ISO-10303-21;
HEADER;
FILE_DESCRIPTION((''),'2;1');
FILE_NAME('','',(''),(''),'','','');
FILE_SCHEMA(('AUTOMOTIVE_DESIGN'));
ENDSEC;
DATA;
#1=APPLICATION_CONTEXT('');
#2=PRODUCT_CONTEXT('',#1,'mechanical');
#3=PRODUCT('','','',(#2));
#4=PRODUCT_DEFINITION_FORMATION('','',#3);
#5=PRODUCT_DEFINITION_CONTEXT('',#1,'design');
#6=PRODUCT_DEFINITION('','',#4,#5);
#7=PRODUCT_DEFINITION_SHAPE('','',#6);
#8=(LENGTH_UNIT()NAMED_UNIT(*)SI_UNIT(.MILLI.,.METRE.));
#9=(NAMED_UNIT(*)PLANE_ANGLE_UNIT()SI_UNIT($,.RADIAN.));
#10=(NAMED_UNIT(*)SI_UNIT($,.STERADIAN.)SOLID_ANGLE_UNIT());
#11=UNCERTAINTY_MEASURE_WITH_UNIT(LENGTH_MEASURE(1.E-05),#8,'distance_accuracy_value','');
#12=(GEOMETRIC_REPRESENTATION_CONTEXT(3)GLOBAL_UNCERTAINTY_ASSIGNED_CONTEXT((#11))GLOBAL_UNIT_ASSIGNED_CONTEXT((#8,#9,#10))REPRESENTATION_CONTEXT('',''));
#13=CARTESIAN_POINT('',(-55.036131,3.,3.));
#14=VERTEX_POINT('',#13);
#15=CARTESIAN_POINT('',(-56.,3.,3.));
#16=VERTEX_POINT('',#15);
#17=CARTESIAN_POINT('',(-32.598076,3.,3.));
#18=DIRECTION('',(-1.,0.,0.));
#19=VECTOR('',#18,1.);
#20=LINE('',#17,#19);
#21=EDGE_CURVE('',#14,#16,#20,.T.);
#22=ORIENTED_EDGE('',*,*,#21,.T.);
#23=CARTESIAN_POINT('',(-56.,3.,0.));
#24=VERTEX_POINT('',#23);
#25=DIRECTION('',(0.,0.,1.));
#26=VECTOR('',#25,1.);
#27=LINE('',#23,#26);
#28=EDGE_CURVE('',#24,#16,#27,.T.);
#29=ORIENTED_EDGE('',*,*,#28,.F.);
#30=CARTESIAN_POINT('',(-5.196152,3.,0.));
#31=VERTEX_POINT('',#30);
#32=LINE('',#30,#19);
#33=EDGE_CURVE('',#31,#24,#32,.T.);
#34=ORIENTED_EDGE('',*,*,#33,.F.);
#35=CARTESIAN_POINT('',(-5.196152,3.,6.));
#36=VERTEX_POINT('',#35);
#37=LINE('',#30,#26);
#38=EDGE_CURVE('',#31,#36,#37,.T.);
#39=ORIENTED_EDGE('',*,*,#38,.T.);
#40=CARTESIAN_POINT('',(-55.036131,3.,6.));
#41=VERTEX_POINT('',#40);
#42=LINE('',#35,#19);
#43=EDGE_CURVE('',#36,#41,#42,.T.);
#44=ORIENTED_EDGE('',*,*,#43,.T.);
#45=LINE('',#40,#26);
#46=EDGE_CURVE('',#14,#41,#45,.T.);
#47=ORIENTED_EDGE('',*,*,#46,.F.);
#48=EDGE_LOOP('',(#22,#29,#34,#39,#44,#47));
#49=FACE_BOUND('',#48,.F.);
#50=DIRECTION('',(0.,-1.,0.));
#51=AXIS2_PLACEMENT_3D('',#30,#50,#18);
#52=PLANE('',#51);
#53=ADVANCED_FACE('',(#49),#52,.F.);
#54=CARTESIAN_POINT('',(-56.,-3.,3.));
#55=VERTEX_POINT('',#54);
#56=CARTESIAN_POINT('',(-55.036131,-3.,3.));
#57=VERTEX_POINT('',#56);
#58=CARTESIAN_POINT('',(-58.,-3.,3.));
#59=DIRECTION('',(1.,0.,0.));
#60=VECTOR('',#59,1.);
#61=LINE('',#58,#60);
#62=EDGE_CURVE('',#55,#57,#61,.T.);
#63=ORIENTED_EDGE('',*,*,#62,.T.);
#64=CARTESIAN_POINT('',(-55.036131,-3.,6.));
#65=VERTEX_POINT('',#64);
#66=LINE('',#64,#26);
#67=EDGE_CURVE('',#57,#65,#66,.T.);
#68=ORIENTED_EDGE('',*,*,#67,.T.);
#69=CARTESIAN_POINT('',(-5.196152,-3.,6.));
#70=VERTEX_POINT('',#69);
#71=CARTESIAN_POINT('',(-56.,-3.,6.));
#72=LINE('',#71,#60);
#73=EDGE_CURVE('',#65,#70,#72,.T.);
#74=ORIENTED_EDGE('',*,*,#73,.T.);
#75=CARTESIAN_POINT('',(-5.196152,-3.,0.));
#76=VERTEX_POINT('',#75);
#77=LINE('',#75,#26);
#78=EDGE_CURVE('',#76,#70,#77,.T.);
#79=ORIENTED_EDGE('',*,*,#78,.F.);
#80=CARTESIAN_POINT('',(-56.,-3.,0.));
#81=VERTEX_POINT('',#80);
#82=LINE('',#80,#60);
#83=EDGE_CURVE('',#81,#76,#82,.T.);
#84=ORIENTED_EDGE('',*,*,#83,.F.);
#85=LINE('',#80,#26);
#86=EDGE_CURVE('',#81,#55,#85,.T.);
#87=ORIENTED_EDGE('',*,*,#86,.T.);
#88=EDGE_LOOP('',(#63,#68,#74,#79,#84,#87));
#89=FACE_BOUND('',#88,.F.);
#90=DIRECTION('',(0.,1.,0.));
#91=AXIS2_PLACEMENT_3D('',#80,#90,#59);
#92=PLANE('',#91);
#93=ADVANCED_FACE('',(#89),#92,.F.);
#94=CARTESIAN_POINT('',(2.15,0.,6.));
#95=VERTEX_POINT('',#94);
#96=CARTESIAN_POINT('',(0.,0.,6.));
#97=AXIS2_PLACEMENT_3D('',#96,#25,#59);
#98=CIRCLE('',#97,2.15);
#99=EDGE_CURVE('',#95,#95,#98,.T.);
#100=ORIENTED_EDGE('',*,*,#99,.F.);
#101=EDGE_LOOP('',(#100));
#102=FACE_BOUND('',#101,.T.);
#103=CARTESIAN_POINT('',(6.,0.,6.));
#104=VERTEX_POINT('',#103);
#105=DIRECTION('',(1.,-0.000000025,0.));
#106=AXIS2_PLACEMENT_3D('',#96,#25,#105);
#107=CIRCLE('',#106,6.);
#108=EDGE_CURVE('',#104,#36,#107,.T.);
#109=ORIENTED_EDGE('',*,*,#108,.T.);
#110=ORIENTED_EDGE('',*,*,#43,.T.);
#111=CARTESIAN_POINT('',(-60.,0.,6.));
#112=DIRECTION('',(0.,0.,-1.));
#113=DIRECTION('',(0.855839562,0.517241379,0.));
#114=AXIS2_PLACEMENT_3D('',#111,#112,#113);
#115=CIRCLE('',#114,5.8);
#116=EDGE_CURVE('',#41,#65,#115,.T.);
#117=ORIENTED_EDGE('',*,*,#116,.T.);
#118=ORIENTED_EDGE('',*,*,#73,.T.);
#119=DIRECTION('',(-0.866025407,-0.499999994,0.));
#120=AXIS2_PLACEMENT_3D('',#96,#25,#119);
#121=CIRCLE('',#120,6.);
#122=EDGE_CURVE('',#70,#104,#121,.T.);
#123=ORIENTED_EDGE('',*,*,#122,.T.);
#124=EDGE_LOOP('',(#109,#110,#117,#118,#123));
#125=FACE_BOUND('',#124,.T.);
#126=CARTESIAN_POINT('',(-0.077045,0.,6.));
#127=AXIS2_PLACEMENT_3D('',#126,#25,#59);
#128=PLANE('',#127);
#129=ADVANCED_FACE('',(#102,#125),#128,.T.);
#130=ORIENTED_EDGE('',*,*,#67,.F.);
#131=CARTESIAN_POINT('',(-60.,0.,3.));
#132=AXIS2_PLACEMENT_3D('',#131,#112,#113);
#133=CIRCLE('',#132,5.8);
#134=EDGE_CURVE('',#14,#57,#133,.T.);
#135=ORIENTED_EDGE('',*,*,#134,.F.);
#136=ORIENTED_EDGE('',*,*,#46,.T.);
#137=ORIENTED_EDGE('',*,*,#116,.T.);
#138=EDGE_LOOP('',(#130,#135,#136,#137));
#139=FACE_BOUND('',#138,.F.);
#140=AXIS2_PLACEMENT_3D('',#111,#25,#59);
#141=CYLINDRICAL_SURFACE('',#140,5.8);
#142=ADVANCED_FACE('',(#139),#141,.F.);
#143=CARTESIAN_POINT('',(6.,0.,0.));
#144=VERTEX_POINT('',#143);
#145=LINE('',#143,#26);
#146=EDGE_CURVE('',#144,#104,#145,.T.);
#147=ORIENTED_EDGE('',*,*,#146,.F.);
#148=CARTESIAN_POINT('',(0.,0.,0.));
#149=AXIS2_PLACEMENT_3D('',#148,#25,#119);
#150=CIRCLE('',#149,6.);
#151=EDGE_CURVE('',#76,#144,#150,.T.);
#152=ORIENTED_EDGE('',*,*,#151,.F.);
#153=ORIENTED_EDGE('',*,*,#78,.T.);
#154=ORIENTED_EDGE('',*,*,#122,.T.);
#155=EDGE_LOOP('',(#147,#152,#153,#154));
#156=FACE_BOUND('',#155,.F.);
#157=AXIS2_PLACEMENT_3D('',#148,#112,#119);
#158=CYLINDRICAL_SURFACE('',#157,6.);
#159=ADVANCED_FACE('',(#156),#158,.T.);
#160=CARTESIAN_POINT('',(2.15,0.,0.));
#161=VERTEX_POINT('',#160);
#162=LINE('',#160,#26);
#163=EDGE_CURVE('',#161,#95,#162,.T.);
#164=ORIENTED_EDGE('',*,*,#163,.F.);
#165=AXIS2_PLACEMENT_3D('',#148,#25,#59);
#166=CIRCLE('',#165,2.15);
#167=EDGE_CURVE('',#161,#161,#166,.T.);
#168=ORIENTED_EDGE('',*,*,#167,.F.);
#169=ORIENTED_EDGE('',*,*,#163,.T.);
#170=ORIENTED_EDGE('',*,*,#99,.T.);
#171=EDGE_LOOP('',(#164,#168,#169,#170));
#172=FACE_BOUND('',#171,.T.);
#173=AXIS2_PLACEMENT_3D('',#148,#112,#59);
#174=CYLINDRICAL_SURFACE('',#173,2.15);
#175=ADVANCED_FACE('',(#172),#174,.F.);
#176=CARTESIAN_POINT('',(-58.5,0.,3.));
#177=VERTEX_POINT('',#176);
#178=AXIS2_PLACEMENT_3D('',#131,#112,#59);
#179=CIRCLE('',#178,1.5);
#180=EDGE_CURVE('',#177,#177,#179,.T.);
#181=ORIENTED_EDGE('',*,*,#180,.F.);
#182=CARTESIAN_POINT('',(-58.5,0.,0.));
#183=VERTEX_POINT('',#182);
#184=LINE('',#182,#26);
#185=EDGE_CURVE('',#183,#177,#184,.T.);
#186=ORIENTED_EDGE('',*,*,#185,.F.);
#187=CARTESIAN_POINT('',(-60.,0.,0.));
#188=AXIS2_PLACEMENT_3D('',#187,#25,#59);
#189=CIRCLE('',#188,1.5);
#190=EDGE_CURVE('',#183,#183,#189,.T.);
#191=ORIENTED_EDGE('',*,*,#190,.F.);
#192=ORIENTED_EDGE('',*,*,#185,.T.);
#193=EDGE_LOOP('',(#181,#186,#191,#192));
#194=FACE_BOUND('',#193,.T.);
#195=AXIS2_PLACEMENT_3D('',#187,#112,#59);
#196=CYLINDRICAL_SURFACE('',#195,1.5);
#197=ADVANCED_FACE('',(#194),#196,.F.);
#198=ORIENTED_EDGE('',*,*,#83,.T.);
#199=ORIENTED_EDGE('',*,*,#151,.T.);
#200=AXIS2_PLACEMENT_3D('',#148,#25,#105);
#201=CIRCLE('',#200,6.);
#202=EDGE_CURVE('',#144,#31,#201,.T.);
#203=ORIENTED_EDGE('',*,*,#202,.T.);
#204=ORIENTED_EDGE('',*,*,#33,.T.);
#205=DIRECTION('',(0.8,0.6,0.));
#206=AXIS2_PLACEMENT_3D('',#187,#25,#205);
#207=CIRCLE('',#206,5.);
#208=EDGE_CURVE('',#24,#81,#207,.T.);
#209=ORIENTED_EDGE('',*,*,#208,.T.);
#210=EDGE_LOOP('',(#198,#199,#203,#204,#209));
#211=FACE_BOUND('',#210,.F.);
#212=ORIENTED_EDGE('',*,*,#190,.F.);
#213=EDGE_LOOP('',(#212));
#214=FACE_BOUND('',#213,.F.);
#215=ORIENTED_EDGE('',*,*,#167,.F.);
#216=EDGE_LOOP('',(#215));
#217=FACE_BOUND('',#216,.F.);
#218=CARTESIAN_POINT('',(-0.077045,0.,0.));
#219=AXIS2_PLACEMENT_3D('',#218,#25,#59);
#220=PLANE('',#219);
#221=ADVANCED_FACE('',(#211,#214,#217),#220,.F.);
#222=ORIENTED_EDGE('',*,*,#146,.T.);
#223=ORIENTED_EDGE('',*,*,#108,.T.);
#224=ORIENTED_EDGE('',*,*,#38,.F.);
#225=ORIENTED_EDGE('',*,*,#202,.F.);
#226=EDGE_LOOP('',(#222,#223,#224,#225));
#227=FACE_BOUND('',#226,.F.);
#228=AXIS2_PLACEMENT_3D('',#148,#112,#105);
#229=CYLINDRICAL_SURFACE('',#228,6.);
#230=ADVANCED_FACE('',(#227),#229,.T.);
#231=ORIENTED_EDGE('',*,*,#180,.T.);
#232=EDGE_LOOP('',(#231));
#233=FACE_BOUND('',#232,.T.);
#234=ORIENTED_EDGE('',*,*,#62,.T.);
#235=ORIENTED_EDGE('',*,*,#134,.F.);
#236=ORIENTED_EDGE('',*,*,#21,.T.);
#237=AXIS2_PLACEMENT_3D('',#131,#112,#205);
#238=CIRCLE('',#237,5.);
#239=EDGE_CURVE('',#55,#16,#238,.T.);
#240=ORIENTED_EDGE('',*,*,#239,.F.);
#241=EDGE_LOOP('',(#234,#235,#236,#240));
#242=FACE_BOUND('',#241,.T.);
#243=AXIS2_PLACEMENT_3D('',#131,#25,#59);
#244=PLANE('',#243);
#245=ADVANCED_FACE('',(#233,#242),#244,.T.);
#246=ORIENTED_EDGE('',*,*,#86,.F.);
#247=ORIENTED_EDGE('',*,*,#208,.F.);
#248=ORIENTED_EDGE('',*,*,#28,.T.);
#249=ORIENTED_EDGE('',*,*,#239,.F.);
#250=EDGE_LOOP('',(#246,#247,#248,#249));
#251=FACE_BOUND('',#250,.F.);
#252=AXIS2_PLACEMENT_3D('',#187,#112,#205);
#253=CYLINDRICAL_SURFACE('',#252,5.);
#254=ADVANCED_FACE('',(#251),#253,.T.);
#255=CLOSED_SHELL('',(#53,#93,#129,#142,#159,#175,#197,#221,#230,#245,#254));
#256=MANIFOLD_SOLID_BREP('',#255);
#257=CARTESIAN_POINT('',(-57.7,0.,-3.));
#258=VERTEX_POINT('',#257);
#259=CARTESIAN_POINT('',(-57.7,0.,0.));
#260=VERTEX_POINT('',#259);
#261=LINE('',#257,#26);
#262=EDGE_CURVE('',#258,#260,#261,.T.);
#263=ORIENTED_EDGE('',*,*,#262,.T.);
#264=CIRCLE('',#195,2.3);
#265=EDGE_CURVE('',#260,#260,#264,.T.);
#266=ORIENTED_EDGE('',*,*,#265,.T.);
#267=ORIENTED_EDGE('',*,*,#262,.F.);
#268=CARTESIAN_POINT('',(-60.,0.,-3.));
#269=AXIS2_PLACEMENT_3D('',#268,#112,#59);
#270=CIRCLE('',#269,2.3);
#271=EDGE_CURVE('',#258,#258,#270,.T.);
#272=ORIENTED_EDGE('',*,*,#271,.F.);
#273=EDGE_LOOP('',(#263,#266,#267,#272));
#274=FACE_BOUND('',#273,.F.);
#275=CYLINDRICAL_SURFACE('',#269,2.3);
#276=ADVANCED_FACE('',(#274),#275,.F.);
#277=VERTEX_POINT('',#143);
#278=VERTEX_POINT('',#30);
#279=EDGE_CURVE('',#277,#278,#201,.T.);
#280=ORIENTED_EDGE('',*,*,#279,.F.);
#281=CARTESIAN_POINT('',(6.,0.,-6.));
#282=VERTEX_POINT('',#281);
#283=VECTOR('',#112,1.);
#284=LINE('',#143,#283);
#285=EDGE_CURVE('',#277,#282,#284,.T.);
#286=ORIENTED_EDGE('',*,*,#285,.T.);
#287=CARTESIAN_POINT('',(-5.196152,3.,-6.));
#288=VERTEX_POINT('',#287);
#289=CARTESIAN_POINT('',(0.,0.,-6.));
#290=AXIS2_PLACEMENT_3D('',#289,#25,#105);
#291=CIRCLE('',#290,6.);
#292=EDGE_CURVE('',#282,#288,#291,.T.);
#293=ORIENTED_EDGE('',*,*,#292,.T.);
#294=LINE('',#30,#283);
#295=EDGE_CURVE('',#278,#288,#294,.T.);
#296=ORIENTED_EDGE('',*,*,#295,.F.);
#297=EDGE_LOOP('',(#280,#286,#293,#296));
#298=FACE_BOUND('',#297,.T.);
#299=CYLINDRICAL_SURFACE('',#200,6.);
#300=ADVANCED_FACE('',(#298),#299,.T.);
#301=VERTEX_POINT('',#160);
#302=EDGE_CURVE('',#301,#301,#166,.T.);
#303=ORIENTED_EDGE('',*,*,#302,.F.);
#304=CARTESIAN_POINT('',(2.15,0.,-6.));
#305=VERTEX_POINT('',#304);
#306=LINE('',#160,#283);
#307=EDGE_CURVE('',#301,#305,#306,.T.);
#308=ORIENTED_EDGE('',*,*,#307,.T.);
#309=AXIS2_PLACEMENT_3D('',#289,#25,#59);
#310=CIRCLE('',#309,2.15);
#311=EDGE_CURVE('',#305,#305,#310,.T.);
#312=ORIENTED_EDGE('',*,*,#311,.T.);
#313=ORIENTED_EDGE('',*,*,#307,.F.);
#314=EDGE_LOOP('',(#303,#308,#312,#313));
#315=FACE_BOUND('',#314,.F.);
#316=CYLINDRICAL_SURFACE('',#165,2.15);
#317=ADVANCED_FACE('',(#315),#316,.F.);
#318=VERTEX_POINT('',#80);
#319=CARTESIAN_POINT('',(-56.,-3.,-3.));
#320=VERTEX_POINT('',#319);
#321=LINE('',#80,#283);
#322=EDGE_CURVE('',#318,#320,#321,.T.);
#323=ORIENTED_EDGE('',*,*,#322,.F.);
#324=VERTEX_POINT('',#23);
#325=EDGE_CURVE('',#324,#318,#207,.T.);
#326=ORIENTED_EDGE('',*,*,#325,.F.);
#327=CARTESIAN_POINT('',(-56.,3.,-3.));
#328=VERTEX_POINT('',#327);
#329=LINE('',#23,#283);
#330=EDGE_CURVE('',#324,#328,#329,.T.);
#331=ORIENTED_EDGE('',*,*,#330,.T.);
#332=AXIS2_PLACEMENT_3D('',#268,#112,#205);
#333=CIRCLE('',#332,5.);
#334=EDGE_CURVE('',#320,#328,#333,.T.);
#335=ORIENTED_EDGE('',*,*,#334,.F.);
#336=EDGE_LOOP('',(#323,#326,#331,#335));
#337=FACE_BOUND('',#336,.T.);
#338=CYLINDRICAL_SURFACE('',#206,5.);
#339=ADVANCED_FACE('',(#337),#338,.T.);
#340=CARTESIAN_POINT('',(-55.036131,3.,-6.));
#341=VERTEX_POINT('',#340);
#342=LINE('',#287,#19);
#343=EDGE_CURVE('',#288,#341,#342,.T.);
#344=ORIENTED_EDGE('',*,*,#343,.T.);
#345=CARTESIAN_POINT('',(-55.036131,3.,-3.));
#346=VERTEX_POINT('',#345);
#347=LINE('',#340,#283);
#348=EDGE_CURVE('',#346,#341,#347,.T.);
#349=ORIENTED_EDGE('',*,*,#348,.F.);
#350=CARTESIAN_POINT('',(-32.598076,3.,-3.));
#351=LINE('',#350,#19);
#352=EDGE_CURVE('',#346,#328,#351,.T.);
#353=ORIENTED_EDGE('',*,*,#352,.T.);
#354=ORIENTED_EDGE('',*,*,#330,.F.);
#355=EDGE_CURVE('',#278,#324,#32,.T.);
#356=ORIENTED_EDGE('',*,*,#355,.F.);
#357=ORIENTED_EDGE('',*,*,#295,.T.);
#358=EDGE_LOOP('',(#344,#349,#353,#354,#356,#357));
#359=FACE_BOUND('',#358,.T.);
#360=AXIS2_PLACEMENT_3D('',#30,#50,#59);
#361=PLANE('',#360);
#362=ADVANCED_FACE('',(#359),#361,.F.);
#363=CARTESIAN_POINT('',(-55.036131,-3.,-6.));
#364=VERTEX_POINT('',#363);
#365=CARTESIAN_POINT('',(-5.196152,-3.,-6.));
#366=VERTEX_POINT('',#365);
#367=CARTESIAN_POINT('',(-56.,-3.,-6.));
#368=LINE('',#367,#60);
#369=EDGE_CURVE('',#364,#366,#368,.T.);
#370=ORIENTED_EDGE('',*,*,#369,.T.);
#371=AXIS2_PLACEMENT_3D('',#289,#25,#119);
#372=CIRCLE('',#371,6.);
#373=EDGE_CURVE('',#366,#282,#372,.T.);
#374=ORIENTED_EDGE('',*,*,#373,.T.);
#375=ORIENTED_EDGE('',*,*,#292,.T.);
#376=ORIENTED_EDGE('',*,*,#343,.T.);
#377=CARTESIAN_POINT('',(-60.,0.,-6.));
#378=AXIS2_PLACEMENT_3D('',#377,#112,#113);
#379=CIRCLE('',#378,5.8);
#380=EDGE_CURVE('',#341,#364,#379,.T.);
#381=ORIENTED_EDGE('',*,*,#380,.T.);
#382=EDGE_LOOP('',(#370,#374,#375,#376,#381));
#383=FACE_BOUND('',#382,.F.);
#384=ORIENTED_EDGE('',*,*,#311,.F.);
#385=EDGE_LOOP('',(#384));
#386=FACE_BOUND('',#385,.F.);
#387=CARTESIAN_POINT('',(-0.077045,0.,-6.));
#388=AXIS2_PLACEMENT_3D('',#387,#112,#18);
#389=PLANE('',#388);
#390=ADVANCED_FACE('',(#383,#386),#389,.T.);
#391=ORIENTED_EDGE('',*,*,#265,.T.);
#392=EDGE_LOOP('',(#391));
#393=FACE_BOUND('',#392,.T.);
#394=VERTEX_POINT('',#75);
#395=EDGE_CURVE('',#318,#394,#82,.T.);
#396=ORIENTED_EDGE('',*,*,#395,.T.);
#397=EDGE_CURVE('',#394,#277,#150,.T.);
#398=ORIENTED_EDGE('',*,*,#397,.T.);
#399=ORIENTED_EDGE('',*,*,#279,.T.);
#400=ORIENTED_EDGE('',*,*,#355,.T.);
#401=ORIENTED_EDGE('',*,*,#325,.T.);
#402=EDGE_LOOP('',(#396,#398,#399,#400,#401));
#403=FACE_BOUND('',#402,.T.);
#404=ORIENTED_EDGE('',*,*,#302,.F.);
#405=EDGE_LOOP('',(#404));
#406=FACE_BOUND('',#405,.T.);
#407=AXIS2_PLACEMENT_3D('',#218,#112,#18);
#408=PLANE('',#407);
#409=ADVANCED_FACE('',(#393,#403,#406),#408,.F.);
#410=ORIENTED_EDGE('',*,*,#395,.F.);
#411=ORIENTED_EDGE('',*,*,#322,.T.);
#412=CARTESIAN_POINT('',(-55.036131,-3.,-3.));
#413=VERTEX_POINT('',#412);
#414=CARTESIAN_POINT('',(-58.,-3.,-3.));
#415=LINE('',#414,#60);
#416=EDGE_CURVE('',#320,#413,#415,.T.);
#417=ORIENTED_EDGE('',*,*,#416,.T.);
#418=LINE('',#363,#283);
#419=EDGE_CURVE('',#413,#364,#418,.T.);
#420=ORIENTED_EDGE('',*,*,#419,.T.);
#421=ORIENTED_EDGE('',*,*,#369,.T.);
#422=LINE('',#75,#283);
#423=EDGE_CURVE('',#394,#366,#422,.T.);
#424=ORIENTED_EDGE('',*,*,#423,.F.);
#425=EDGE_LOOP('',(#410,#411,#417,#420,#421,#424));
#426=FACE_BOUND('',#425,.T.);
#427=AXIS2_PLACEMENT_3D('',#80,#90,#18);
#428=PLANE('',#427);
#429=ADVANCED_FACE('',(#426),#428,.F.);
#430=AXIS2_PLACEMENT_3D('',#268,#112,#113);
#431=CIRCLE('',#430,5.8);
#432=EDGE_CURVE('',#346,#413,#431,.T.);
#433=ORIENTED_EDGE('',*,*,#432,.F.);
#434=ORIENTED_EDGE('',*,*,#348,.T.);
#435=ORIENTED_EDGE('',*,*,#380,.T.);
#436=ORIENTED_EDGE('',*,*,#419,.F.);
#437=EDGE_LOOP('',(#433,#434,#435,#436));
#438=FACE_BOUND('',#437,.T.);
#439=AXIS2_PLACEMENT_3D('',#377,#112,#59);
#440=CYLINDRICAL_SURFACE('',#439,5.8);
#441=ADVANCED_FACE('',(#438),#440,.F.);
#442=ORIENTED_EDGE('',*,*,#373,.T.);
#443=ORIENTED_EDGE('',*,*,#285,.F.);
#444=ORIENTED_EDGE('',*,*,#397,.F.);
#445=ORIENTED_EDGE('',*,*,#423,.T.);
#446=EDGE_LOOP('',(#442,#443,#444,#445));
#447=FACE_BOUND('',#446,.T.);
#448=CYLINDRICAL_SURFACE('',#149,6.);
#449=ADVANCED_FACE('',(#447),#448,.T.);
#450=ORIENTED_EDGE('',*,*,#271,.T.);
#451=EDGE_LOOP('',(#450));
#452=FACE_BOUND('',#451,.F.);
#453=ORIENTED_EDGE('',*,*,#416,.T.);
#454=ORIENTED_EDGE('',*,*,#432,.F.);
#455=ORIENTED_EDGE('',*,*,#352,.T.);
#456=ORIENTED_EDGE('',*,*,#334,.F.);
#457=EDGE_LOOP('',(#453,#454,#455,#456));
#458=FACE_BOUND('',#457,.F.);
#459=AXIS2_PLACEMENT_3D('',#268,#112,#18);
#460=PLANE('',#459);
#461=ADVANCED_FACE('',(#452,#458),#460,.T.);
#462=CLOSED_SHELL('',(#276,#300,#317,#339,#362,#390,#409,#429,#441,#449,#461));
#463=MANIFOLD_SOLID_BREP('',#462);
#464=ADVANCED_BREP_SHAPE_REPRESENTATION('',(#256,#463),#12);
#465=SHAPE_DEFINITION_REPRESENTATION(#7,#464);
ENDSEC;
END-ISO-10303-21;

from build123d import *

# Parameters (mm, degrees)
F0_R     = 2.15
F0_R_2   = 1.5
F1_DEPTH = 6
F2_R     = 5.8
F3_DEPTH = 3
F5_R     = 2.3
F6_DEPTH = 3


with BuildPart() as f1:
    # F0 (on Top) → F1 (new body)
    with BuildSketch(Plane.XY):
        with BuildLine():
            ThreePointArc((-5.196152, -3), (1.552914, -5.795555), (6, 0))
            ThreePointArc((6, 0), (1.552914, 5.795555), (-5.196152, 3))
            ThreePointArc((-5.196152, 3), (-6, 0), (-5.196152, -3))
        make_face()
        Circle(F0_R, mode=Mode.SUBTRACT)
        with BuildLine():
            ThreePointArc((-5.196152, -3), (-6, 0), (-5.196152, 3))
            Line((-5.196152, 3), (-56, 3))
            ThreePointArc((-56, 3), (-55.256584, 1.581139), (-55, 0))
            ThreePointArc((-55, 0), (-55.256584, -1.581139), (-56, -3))
            Line((-56, -3), (-5.196152, -3))
        make_face()
        with BuildLine():
            ThreePointArc((-55, 0), (-55.256584, 1.581139), (-56, 3))
            ThreePointArc((-56, 3), (-65, 0), (-56, -3))
            ThreePointArc((-56, -3), (-55.256584, -1.581139), (-55, 0))
        make_face()
        with Locations((-60, 0)):
            Circle(F0_R_2, mode=Mode.SUBTRACT)
    extrude(amount=F1_DEPTH)

    # F2 (on face) → F3 (cut)
    with BuildSketch(Plane.XY.offset(6)):
        with Locations((-60, 0)):
            Circle(F2_R)
    extrude(amount=-F3_DEPTH, mode=Mode.SUBTRACT)


with BuildPart() as f4_1:
    # F4: instance of F1
    add(f1.part.mirror(Plane(origin=(-28.597693, 0, 0), x_dir=(1, 0, 0), z_dir=(0, 0, -1))))

    # F5 (on face) → F6 (cut, through all)
    with BuildSketch(Plane(origin=(0, 0, -3), x_dir=(1, 0, 0), z_dir=(0, 0, -1))):
        with Locations((-60, 0)):
            Circle(F5_R)
    extrude(amount=-F6_DEPTH, mode=Mode.SUBTRACT)


solid = Compound([f1.part, f4_1.part])
